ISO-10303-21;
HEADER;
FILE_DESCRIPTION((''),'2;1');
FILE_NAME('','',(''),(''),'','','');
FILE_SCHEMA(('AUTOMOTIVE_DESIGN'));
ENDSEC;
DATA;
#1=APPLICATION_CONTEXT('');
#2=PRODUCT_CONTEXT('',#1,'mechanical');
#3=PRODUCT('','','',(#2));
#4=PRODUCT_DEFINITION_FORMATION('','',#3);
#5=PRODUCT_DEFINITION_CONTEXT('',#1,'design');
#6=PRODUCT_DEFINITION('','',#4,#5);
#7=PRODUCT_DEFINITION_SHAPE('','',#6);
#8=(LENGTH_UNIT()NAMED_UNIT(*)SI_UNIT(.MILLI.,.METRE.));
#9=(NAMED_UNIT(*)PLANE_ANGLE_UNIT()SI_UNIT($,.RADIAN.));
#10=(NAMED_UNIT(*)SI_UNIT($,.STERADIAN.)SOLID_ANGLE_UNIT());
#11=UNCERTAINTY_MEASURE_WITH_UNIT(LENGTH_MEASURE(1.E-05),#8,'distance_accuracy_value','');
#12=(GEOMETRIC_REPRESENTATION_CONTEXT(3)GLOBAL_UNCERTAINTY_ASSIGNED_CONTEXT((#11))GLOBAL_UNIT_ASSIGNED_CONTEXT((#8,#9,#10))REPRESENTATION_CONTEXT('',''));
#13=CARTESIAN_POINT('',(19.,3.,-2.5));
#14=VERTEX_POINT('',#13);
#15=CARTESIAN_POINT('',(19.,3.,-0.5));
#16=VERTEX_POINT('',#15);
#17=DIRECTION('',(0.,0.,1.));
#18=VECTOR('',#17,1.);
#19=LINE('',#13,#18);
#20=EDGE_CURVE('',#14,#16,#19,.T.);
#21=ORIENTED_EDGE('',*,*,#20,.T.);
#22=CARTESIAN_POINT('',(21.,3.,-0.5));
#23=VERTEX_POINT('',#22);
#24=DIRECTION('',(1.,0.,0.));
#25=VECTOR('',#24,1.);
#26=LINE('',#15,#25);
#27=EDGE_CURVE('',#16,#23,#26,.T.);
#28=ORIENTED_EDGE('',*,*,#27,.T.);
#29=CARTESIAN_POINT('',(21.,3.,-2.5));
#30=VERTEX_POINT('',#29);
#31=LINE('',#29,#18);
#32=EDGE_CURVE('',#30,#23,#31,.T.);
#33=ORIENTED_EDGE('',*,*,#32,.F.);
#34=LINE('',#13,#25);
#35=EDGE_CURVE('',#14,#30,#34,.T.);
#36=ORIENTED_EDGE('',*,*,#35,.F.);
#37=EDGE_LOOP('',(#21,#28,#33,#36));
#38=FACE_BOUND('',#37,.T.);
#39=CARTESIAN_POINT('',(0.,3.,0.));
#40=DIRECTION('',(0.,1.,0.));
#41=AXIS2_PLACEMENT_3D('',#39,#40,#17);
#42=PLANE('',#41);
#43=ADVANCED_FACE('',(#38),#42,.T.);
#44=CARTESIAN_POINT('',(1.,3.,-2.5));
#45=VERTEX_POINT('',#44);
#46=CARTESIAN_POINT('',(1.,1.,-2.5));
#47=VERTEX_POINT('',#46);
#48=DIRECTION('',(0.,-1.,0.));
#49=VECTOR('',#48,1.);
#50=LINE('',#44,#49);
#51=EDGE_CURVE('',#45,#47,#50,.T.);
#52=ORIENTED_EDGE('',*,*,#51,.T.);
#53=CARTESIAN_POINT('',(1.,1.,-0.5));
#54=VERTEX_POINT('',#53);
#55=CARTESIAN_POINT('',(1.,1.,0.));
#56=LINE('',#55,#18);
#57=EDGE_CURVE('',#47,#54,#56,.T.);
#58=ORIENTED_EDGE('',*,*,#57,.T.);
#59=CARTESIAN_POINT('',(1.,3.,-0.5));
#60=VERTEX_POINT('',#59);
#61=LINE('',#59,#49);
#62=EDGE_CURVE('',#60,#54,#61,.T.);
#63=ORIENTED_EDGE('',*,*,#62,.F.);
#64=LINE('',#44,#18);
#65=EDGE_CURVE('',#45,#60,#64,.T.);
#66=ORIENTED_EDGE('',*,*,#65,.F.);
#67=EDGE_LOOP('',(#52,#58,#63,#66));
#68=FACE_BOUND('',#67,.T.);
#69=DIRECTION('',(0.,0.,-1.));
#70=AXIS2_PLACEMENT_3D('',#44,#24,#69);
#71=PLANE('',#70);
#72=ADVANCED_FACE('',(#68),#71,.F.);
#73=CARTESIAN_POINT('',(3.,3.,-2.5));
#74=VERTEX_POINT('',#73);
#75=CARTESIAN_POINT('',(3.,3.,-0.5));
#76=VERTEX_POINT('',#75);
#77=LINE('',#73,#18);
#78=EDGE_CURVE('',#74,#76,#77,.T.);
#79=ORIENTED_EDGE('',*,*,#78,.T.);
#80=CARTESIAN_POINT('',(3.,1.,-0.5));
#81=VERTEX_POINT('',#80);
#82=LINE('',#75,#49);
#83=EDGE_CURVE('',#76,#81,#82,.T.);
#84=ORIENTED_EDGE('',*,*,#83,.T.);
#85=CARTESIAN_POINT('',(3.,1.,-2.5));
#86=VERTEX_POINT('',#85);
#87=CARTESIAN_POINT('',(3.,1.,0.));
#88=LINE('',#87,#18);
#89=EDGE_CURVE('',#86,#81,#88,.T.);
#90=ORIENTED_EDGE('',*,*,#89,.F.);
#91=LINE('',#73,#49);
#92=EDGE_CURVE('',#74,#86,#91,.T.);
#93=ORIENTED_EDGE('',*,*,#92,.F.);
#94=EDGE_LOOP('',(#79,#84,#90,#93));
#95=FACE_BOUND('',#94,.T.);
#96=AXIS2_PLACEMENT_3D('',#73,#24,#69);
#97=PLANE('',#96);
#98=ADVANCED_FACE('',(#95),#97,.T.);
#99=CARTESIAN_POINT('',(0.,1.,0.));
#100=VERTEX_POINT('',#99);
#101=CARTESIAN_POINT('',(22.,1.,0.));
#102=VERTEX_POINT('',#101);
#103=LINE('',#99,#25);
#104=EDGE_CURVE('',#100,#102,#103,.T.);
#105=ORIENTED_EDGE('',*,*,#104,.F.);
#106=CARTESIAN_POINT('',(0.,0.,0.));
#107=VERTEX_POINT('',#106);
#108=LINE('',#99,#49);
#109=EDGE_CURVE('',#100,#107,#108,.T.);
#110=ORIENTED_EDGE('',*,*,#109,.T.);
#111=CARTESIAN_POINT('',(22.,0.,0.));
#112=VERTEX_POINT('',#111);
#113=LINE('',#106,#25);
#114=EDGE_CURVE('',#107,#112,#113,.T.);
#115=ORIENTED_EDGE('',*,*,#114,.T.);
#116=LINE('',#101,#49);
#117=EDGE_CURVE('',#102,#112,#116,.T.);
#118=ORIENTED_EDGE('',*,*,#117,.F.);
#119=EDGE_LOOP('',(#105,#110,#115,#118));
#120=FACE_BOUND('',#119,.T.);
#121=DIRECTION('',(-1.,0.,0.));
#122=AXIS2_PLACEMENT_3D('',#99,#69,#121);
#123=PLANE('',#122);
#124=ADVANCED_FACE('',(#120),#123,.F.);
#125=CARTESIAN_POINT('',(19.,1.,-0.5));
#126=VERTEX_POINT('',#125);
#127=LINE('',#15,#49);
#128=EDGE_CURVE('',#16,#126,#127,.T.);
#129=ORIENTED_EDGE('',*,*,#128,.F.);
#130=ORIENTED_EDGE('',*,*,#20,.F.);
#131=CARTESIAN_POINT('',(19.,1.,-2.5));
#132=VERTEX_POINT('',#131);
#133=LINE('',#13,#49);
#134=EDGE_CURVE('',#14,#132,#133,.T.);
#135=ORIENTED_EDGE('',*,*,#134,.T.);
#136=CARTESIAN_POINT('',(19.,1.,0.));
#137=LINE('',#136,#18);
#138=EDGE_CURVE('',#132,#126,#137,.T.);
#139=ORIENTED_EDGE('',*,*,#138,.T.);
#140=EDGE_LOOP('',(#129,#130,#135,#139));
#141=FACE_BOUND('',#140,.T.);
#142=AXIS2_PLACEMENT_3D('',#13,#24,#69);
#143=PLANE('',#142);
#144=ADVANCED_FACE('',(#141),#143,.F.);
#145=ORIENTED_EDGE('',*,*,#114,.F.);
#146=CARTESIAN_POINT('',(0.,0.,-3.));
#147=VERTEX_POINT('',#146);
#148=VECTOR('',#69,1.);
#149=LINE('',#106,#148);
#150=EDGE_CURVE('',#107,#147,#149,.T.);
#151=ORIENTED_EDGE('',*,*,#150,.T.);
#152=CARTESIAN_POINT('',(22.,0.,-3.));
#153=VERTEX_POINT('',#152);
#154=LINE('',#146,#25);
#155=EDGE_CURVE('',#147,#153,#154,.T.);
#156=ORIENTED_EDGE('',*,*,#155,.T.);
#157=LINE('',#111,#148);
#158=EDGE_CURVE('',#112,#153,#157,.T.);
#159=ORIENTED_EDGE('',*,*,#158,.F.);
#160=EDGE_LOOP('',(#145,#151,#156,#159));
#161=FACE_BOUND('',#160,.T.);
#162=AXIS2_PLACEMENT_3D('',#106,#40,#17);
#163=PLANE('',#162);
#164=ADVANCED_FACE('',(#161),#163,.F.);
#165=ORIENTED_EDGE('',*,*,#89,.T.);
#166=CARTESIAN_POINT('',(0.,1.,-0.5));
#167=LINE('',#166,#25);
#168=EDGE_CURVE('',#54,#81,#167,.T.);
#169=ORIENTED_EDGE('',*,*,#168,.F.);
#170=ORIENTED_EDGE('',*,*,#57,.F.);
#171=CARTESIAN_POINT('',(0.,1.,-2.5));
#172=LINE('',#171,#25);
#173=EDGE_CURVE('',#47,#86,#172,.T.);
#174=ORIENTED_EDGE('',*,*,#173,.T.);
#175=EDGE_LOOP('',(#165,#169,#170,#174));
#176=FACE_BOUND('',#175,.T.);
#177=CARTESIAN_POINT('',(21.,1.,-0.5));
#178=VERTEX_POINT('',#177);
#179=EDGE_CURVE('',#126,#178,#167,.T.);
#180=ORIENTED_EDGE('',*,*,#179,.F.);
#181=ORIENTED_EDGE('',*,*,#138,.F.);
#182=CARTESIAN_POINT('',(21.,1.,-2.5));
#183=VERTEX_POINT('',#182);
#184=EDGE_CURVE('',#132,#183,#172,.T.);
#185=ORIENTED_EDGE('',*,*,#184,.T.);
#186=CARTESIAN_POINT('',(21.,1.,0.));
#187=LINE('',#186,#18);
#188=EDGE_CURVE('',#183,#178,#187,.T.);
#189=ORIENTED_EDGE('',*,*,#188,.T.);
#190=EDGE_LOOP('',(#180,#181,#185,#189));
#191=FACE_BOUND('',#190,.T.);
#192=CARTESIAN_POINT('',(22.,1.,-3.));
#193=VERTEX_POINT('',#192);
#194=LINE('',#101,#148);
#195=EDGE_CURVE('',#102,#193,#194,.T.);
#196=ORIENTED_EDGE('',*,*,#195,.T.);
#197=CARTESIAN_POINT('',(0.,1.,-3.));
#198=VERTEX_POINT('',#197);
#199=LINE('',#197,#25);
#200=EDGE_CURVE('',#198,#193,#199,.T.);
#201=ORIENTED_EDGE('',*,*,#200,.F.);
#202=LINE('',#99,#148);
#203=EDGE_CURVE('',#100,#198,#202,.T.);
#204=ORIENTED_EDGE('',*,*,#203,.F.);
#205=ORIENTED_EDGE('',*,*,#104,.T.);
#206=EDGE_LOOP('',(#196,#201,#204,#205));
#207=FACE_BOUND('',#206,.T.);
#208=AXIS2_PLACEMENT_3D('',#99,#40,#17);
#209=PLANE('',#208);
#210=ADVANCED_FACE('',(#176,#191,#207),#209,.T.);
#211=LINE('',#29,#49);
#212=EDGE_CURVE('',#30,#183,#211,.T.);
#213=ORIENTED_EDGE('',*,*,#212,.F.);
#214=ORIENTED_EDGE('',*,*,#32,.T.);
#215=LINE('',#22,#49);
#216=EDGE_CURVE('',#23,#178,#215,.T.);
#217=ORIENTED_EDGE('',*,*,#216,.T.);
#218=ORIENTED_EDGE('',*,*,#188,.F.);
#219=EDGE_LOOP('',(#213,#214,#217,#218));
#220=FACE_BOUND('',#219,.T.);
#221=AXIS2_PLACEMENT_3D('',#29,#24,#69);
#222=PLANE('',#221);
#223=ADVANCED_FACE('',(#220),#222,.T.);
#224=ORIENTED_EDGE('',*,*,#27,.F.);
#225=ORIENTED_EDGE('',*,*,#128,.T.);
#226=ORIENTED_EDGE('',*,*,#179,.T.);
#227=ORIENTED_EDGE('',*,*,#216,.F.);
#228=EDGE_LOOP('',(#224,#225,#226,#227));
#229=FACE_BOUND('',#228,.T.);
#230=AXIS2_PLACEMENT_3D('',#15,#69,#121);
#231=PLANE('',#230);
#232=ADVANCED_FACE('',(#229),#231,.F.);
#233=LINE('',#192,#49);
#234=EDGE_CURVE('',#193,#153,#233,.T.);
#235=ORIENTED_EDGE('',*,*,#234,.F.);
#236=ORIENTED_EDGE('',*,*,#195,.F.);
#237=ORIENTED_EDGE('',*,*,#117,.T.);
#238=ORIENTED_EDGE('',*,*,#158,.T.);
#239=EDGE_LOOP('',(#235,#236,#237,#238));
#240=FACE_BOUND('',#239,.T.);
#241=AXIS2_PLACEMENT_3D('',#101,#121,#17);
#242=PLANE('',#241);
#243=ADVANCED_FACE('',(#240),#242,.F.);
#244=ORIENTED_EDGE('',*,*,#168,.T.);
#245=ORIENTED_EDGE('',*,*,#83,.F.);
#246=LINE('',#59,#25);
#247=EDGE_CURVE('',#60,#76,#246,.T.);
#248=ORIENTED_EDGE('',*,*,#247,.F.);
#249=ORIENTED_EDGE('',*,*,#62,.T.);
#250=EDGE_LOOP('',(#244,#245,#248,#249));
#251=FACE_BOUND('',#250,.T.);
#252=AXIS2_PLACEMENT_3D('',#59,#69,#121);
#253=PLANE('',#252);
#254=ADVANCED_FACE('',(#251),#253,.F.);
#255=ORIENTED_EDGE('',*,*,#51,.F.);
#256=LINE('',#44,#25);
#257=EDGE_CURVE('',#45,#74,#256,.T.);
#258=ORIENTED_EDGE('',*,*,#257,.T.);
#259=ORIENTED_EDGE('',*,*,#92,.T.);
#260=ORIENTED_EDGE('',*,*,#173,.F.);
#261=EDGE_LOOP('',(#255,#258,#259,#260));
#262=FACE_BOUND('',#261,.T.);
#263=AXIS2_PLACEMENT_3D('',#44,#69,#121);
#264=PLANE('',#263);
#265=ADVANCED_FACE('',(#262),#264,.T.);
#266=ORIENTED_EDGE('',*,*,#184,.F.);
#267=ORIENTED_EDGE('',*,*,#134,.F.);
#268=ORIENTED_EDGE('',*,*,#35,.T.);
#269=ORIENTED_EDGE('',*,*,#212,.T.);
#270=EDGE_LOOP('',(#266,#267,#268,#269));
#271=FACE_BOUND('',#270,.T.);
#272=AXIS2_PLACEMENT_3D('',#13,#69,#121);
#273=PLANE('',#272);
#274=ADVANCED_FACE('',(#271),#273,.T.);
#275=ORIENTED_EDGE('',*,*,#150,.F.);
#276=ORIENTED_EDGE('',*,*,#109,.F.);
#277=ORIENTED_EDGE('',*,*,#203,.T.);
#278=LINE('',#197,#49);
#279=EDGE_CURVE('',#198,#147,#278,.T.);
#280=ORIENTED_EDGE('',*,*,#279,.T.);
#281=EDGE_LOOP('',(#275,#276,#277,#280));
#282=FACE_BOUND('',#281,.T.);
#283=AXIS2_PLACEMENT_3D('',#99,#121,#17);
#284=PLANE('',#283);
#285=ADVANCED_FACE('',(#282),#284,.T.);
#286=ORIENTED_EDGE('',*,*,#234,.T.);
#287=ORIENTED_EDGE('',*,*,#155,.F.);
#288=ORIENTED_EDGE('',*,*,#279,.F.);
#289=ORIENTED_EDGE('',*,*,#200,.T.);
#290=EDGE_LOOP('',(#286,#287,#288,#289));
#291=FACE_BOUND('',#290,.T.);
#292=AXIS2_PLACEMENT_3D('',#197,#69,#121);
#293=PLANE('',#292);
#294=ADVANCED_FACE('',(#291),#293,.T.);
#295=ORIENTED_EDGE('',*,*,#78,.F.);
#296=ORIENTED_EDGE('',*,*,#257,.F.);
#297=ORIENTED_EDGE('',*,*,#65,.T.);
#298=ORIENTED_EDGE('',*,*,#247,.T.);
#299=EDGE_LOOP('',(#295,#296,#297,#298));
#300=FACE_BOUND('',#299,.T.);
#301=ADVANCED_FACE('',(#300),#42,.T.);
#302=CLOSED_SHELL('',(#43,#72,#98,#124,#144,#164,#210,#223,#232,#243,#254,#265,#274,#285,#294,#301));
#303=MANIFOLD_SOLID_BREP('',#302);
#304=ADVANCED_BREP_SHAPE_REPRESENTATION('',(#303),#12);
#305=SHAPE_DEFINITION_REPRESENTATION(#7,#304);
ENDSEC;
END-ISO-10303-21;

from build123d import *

# Parameters (mm, degrees)
SKETCH1_W           = 22
SKETCH1_H           = 3
SKETCH1_W_2         = 2
SKETCH1_H_2         = 2
BOSS_EXTRUDE1_DEPTH = 1
SKETCH1_3_W         = 2
SKETCH1_3_H         = 2
BOSS_EXTRUDE2_DEPTH = 3


with BuildPart() as part:
    # Sketch1 → Boss-Extrude1 (new body)
    with BuildSketch(Plane(origin=(0, 0, 0), x_dir=(1, 0, 0), z_dir=(0, 1, 0))):
        with Locations((11, 1.5)):
            Rectangle(SKETCH1_W, SKETCH1_H)
        with Locations((2, 1.5)):
            Rectangle(SKETCH1_W_2, SKETCH1_H_2, mode=Mode.SUBTRACT)
        with Locations((20, 1.5)):
            Rectangle(SKETCH1_W_2, SKETCH1_H_2, mode=Mode.SUBTRACT)
    extrude(amount=BOSS_EXTRUDE1_DEPTH)

    # Sketch1<3> → Boss-Extrude2 (add)
    with BuildSketch(Plane(origin=(0, 0, 0), x_dir=(1, 0, 0), z_dir=(0, 1, 0))):
        with Locations((2, 1.5)):
            Rectangle(SKETCH1_3_W, SKETCH1_3_H)
        with Locations((20, 1.5)):
            Rectangle(SKETCH1_3_W, SKETCH1_3_H)
    extrude(amount=BOSS_EXTRUDE2_DEPTH)


solid = part.part
